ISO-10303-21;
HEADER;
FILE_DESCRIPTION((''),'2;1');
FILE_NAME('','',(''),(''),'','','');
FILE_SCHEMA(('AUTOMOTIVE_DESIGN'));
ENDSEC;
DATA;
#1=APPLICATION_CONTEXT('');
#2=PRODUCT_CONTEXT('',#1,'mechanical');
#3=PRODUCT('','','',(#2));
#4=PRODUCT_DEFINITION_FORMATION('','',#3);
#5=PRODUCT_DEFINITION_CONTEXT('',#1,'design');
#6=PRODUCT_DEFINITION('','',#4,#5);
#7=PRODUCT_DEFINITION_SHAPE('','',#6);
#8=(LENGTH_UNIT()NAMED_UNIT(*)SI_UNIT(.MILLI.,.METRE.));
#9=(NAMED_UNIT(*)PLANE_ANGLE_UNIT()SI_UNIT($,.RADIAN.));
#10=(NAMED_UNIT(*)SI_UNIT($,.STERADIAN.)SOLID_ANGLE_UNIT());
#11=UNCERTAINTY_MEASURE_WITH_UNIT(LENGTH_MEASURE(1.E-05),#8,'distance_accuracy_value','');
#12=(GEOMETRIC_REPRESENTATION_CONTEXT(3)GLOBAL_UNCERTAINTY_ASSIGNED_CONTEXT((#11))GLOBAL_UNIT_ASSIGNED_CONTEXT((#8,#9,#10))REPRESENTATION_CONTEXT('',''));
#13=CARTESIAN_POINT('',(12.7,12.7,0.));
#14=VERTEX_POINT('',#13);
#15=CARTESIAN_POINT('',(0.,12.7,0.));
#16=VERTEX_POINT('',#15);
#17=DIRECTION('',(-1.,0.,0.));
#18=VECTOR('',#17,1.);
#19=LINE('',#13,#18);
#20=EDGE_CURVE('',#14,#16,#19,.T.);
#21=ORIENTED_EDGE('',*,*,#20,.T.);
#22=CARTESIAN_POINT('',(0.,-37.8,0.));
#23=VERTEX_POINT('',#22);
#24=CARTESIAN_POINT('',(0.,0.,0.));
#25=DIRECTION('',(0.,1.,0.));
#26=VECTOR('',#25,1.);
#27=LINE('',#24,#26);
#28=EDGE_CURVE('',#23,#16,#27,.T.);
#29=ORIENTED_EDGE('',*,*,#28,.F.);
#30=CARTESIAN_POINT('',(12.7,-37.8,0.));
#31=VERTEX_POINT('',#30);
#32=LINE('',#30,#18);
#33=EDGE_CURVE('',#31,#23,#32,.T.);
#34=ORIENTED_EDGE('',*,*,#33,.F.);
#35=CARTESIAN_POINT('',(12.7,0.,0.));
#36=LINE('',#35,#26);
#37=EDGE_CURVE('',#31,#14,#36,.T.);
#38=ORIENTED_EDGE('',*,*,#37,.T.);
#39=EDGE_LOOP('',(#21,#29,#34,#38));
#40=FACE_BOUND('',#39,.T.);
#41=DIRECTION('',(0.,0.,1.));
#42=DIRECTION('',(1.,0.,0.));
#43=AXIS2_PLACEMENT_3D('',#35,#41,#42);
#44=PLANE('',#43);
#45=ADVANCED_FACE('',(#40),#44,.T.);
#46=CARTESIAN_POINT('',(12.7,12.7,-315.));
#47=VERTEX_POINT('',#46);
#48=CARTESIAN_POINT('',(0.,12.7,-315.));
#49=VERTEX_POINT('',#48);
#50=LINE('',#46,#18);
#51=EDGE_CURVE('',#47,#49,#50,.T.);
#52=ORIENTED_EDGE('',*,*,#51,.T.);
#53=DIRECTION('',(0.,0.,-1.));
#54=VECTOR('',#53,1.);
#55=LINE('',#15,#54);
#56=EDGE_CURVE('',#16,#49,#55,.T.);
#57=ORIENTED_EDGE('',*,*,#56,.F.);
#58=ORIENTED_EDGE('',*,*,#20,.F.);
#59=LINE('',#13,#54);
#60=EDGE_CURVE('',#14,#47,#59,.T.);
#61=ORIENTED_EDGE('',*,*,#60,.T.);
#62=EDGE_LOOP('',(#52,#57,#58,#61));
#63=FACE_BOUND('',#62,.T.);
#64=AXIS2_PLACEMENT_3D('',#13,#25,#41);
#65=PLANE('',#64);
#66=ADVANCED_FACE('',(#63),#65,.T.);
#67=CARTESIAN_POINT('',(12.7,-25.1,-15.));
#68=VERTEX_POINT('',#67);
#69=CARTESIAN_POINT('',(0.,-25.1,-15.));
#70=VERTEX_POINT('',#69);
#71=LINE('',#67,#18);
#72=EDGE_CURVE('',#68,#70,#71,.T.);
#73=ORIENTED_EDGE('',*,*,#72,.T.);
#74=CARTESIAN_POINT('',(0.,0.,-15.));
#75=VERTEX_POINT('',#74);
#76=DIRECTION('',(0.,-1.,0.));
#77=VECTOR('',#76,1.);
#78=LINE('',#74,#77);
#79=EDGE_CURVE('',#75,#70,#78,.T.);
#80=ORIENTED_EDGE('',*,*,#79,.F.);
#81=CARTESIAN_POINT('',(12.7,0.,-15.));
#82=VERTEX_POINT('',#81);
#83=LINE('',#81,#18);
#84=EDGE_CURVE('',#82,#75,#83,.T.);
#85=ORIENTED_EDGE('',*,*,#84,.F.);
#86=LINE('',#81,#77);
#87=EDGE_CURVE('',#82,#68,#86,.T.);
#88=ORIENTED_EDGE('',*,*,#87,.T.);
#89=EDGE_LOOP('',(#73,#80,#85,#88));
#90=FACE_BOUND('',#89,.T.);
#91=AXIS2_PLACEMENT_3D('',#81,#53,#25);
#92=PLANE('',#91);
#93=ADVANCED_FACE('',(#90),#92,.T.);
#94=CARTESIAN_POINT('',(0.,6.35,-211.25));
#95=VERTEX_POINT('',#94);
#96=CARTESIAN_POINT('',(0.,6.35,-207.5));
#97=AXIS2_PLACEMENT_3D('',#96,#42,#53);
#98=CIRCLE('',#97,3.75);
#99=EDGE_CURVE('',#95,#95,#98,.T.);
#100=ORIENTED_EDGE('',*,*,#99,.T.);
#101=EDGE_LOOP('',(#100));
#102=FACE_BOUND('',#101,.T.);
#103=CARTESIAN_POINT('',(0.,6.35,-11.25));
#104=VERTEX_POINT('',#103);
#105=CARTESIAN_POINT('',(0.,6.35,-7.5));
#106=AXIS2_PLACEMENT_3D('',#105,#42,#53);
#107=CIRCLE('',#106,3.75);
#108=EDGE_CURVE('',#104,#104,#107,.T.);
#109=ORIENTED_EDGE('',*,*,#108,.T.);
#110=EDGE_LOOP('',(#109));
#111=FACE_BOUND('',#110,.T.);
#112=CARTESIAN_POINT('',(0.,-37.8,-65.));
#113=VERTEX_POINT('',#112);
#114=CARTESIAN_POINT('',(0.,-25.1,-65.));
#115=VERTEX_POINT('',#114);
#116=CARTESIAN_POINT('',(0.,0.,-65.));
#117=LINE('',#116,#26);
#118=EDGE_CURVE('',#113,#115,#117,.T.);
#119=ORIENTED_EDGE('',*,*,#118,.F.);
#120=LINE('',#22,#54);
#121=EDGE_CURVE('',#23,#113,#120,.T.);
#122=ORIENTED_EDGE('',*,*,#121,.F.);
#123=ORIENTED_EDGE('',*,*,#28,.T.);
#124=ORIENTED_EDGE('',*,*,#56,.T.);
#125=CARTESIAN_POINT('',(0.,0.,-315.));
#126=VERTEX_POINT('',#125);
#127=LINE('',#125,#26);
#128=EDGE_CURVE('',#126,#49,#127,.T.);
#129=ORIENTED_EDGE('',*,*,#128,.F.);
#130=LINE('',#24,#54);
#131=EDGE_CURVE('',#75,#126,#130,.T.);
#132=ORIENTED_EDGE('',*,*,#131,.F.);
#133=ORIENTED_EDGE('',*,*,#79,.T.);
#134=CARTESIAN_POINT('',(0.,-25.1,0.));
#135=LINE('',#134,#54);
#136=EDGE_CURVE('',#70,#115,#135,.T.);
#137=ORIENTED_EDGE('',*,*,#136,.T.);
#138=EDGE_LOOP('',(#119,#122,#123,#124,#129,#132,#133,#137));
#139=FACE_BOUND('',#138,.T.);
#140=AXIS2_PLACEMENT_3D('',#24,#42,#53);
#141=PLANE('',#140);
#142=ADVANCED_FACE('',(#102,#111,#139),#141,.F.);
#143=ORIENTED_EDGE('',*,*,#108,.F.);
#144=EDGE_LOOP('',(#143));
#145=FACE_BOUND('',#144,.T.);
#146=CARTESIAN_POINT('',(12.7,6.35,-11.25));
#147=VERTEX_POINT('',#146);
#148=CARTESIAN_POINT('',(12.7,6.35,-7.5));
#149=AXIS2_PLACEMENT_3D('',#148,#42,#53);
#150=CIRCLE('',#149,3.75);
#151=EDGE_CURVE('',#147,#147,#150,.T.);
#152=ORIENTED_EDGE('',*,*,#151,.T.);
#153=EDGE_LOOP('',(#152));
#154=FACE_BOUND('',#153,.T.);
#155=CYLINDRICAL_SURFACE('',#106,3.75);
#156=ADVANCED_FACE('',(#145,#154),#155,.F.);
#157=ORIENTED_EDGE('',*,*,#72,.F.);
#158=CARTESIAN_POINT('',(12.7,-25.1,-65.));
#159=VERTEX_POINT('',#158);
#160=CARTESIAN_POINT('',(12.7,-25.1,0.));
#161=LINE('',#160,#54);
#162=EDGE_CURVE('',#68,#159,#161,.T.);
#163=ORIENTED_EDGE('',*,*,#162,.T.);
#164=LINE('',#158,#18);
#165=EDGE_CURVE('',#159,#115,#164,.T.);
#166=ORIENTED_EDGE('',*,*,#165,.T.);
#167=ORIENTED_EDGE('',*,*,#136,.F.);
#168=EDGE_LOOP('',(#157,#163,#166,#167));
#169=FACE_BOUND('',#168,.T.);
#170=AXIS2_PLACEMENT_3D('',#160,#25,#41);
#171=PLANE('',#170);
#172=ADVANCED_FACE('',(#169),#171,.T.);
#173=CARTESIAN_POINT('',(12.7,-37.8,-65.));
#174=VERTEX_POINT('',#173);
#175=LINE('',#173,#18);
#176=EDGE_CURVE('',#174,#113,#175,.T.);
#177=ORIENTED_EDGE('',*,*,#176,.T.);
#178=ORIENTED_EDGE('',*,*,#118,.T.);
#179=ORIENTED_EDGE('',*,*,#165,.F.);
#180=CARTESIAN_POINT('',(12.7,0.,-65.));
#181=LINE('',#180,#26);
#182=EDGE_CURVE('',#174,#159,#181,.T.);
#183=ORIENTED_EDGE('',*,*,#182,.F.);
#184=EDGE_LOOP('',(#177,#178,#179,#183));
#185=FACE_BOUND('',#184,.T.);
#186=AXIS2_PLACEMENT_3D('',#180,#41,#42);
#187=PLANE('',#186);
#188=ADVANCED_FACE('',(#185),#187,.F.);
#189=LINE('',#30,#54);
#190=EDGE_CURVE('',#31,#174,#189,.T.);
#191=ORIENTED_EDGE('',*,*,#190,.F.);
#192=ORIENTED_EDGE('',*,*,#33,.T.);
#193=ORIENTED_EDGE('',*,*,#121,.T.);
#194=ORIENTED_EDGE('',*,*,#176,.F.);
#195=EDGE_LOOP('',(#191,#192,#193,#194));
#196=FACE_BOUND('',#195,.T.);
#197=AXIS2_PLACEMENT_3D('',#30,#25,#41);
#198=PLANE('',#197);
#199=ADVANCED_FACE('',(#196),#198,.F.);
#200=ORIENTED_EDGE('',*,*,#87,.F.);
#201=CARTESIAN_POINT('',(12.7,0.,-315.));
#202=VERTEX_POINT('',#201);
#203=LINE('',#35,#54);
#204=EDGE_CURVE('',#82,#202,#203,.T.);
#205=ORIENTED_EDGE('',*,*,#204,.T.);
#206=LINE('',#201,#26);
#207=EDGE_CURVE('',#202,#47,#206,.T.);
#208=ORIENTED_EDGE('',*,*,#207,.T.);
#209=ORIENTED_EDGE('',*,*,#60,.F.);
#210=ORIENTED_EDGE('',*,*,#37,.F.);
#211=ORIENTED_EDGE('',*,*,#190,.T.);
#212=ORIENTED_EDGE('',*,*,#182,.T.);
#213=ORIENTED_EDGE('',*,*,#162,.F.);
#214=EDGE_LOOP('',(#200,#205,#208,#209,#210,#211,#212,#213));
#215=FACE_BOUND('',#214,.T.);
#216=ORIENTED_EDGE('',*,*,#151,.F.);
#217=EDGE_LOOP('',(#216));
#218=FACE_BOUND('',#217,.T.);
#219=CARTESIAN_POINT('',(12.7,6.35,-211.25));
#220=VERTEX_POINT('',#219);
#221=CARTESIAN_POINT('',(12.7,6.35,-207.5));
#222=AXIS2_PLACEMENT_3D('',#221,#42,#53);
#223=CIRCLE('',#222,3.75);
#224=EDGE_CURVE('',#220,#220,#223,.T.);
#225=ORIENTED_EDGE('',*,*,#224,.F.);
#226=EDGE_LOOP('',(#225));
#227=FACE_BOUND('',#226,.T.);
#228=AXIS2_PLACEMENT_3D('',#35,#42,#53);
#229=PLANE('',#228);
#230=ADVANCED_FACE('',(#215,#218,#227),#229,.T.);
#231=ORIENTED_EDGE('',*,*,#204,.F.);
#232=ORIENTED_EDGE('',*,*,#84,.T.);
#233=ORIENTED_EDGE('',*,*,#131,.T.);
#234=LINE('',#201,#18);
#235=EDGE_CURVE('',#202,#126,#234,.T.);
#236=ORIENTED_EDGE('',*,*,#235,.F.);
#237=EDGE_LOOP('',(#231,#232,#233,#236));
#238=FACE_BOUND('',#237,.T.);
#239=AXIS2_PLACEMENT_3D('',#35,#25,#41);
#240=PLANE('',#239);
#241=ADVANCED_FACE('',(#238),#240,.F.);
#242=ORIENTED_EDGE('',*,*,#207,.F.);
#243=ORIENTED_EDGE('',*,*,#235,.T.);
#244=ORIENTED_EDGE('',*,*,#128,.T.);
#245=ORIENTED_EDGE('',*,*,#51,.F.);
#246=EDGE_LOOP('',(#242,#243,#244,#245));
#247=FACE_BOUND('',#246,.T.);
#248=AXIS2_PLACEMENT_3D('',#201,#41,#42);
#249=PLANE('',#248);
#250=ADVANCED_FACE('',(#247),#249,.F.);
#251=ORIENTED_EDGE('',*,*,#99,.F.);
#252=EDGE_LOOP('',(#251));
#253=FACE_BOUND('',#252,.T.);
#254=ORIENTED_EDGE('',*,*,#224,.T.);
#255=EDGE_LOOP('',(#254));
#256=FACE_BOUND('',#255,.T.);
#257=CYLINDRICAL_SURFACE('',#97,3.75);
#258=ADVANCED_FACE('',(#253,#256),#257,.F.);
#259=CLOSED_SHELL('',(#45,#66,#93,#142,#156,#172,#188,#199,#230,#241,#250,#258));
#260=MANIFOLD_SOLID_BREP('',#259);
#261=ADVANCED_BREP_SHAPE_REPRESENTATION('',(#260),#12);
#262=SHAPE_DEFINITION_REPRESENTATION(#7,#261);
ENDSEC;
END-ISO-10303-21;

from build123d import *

# Parameters (mm, degrees)
SKETCH1_W           = 315
SKETCH1_H           = 12.7
SKETCH1_W_2         = 50
BOSS_EXTRUDE1_DEPTH = 12.7
SKETCH2_R           = 3.75
CUT_EXTRUDE1_DEPTH  = 318.513983944


with BuildPart() as part:
    # Sketch1 → Boss-Extrude1 (new body)
    with BuildSketch(Plane(origin=(0, 0, 0), x_dir=(0, 0, -1), z_dir=(1, 0, 0))):
        with Locations((157.5, 6.35)):
            Rectangle(SKETCH1_W, SKETCH1_H)
        Polygon((15, 0), (0, 0), (0, -37.8), (15, -37.8), (15, -25.1), align=None)
        with Locations((40, -31.45)):
            Rectangle(SKETCH1_W_2, SKETCH1_H)
    extrude(amount=BOSS_EXTRUDE1_DEPTH)

    # Sketch2 → Cut-Extrude1 (cut, through all)
    with BuildSketch(Plane(origin=(12.7, 0, 0), x_dir=(0, 0, -1), z_dir=(1, 0, 0))):
        with Locations((7.5, 6.35)):
            Circle(SKETCH2_R)
        with Locations((207.5, 6.35)):
            Circle(SKETCH2_R)
    extrude(amount=-CUT_EXTRUDE1_DEPTH, mode=Mode.SUBTRACT)


solid = part.part
